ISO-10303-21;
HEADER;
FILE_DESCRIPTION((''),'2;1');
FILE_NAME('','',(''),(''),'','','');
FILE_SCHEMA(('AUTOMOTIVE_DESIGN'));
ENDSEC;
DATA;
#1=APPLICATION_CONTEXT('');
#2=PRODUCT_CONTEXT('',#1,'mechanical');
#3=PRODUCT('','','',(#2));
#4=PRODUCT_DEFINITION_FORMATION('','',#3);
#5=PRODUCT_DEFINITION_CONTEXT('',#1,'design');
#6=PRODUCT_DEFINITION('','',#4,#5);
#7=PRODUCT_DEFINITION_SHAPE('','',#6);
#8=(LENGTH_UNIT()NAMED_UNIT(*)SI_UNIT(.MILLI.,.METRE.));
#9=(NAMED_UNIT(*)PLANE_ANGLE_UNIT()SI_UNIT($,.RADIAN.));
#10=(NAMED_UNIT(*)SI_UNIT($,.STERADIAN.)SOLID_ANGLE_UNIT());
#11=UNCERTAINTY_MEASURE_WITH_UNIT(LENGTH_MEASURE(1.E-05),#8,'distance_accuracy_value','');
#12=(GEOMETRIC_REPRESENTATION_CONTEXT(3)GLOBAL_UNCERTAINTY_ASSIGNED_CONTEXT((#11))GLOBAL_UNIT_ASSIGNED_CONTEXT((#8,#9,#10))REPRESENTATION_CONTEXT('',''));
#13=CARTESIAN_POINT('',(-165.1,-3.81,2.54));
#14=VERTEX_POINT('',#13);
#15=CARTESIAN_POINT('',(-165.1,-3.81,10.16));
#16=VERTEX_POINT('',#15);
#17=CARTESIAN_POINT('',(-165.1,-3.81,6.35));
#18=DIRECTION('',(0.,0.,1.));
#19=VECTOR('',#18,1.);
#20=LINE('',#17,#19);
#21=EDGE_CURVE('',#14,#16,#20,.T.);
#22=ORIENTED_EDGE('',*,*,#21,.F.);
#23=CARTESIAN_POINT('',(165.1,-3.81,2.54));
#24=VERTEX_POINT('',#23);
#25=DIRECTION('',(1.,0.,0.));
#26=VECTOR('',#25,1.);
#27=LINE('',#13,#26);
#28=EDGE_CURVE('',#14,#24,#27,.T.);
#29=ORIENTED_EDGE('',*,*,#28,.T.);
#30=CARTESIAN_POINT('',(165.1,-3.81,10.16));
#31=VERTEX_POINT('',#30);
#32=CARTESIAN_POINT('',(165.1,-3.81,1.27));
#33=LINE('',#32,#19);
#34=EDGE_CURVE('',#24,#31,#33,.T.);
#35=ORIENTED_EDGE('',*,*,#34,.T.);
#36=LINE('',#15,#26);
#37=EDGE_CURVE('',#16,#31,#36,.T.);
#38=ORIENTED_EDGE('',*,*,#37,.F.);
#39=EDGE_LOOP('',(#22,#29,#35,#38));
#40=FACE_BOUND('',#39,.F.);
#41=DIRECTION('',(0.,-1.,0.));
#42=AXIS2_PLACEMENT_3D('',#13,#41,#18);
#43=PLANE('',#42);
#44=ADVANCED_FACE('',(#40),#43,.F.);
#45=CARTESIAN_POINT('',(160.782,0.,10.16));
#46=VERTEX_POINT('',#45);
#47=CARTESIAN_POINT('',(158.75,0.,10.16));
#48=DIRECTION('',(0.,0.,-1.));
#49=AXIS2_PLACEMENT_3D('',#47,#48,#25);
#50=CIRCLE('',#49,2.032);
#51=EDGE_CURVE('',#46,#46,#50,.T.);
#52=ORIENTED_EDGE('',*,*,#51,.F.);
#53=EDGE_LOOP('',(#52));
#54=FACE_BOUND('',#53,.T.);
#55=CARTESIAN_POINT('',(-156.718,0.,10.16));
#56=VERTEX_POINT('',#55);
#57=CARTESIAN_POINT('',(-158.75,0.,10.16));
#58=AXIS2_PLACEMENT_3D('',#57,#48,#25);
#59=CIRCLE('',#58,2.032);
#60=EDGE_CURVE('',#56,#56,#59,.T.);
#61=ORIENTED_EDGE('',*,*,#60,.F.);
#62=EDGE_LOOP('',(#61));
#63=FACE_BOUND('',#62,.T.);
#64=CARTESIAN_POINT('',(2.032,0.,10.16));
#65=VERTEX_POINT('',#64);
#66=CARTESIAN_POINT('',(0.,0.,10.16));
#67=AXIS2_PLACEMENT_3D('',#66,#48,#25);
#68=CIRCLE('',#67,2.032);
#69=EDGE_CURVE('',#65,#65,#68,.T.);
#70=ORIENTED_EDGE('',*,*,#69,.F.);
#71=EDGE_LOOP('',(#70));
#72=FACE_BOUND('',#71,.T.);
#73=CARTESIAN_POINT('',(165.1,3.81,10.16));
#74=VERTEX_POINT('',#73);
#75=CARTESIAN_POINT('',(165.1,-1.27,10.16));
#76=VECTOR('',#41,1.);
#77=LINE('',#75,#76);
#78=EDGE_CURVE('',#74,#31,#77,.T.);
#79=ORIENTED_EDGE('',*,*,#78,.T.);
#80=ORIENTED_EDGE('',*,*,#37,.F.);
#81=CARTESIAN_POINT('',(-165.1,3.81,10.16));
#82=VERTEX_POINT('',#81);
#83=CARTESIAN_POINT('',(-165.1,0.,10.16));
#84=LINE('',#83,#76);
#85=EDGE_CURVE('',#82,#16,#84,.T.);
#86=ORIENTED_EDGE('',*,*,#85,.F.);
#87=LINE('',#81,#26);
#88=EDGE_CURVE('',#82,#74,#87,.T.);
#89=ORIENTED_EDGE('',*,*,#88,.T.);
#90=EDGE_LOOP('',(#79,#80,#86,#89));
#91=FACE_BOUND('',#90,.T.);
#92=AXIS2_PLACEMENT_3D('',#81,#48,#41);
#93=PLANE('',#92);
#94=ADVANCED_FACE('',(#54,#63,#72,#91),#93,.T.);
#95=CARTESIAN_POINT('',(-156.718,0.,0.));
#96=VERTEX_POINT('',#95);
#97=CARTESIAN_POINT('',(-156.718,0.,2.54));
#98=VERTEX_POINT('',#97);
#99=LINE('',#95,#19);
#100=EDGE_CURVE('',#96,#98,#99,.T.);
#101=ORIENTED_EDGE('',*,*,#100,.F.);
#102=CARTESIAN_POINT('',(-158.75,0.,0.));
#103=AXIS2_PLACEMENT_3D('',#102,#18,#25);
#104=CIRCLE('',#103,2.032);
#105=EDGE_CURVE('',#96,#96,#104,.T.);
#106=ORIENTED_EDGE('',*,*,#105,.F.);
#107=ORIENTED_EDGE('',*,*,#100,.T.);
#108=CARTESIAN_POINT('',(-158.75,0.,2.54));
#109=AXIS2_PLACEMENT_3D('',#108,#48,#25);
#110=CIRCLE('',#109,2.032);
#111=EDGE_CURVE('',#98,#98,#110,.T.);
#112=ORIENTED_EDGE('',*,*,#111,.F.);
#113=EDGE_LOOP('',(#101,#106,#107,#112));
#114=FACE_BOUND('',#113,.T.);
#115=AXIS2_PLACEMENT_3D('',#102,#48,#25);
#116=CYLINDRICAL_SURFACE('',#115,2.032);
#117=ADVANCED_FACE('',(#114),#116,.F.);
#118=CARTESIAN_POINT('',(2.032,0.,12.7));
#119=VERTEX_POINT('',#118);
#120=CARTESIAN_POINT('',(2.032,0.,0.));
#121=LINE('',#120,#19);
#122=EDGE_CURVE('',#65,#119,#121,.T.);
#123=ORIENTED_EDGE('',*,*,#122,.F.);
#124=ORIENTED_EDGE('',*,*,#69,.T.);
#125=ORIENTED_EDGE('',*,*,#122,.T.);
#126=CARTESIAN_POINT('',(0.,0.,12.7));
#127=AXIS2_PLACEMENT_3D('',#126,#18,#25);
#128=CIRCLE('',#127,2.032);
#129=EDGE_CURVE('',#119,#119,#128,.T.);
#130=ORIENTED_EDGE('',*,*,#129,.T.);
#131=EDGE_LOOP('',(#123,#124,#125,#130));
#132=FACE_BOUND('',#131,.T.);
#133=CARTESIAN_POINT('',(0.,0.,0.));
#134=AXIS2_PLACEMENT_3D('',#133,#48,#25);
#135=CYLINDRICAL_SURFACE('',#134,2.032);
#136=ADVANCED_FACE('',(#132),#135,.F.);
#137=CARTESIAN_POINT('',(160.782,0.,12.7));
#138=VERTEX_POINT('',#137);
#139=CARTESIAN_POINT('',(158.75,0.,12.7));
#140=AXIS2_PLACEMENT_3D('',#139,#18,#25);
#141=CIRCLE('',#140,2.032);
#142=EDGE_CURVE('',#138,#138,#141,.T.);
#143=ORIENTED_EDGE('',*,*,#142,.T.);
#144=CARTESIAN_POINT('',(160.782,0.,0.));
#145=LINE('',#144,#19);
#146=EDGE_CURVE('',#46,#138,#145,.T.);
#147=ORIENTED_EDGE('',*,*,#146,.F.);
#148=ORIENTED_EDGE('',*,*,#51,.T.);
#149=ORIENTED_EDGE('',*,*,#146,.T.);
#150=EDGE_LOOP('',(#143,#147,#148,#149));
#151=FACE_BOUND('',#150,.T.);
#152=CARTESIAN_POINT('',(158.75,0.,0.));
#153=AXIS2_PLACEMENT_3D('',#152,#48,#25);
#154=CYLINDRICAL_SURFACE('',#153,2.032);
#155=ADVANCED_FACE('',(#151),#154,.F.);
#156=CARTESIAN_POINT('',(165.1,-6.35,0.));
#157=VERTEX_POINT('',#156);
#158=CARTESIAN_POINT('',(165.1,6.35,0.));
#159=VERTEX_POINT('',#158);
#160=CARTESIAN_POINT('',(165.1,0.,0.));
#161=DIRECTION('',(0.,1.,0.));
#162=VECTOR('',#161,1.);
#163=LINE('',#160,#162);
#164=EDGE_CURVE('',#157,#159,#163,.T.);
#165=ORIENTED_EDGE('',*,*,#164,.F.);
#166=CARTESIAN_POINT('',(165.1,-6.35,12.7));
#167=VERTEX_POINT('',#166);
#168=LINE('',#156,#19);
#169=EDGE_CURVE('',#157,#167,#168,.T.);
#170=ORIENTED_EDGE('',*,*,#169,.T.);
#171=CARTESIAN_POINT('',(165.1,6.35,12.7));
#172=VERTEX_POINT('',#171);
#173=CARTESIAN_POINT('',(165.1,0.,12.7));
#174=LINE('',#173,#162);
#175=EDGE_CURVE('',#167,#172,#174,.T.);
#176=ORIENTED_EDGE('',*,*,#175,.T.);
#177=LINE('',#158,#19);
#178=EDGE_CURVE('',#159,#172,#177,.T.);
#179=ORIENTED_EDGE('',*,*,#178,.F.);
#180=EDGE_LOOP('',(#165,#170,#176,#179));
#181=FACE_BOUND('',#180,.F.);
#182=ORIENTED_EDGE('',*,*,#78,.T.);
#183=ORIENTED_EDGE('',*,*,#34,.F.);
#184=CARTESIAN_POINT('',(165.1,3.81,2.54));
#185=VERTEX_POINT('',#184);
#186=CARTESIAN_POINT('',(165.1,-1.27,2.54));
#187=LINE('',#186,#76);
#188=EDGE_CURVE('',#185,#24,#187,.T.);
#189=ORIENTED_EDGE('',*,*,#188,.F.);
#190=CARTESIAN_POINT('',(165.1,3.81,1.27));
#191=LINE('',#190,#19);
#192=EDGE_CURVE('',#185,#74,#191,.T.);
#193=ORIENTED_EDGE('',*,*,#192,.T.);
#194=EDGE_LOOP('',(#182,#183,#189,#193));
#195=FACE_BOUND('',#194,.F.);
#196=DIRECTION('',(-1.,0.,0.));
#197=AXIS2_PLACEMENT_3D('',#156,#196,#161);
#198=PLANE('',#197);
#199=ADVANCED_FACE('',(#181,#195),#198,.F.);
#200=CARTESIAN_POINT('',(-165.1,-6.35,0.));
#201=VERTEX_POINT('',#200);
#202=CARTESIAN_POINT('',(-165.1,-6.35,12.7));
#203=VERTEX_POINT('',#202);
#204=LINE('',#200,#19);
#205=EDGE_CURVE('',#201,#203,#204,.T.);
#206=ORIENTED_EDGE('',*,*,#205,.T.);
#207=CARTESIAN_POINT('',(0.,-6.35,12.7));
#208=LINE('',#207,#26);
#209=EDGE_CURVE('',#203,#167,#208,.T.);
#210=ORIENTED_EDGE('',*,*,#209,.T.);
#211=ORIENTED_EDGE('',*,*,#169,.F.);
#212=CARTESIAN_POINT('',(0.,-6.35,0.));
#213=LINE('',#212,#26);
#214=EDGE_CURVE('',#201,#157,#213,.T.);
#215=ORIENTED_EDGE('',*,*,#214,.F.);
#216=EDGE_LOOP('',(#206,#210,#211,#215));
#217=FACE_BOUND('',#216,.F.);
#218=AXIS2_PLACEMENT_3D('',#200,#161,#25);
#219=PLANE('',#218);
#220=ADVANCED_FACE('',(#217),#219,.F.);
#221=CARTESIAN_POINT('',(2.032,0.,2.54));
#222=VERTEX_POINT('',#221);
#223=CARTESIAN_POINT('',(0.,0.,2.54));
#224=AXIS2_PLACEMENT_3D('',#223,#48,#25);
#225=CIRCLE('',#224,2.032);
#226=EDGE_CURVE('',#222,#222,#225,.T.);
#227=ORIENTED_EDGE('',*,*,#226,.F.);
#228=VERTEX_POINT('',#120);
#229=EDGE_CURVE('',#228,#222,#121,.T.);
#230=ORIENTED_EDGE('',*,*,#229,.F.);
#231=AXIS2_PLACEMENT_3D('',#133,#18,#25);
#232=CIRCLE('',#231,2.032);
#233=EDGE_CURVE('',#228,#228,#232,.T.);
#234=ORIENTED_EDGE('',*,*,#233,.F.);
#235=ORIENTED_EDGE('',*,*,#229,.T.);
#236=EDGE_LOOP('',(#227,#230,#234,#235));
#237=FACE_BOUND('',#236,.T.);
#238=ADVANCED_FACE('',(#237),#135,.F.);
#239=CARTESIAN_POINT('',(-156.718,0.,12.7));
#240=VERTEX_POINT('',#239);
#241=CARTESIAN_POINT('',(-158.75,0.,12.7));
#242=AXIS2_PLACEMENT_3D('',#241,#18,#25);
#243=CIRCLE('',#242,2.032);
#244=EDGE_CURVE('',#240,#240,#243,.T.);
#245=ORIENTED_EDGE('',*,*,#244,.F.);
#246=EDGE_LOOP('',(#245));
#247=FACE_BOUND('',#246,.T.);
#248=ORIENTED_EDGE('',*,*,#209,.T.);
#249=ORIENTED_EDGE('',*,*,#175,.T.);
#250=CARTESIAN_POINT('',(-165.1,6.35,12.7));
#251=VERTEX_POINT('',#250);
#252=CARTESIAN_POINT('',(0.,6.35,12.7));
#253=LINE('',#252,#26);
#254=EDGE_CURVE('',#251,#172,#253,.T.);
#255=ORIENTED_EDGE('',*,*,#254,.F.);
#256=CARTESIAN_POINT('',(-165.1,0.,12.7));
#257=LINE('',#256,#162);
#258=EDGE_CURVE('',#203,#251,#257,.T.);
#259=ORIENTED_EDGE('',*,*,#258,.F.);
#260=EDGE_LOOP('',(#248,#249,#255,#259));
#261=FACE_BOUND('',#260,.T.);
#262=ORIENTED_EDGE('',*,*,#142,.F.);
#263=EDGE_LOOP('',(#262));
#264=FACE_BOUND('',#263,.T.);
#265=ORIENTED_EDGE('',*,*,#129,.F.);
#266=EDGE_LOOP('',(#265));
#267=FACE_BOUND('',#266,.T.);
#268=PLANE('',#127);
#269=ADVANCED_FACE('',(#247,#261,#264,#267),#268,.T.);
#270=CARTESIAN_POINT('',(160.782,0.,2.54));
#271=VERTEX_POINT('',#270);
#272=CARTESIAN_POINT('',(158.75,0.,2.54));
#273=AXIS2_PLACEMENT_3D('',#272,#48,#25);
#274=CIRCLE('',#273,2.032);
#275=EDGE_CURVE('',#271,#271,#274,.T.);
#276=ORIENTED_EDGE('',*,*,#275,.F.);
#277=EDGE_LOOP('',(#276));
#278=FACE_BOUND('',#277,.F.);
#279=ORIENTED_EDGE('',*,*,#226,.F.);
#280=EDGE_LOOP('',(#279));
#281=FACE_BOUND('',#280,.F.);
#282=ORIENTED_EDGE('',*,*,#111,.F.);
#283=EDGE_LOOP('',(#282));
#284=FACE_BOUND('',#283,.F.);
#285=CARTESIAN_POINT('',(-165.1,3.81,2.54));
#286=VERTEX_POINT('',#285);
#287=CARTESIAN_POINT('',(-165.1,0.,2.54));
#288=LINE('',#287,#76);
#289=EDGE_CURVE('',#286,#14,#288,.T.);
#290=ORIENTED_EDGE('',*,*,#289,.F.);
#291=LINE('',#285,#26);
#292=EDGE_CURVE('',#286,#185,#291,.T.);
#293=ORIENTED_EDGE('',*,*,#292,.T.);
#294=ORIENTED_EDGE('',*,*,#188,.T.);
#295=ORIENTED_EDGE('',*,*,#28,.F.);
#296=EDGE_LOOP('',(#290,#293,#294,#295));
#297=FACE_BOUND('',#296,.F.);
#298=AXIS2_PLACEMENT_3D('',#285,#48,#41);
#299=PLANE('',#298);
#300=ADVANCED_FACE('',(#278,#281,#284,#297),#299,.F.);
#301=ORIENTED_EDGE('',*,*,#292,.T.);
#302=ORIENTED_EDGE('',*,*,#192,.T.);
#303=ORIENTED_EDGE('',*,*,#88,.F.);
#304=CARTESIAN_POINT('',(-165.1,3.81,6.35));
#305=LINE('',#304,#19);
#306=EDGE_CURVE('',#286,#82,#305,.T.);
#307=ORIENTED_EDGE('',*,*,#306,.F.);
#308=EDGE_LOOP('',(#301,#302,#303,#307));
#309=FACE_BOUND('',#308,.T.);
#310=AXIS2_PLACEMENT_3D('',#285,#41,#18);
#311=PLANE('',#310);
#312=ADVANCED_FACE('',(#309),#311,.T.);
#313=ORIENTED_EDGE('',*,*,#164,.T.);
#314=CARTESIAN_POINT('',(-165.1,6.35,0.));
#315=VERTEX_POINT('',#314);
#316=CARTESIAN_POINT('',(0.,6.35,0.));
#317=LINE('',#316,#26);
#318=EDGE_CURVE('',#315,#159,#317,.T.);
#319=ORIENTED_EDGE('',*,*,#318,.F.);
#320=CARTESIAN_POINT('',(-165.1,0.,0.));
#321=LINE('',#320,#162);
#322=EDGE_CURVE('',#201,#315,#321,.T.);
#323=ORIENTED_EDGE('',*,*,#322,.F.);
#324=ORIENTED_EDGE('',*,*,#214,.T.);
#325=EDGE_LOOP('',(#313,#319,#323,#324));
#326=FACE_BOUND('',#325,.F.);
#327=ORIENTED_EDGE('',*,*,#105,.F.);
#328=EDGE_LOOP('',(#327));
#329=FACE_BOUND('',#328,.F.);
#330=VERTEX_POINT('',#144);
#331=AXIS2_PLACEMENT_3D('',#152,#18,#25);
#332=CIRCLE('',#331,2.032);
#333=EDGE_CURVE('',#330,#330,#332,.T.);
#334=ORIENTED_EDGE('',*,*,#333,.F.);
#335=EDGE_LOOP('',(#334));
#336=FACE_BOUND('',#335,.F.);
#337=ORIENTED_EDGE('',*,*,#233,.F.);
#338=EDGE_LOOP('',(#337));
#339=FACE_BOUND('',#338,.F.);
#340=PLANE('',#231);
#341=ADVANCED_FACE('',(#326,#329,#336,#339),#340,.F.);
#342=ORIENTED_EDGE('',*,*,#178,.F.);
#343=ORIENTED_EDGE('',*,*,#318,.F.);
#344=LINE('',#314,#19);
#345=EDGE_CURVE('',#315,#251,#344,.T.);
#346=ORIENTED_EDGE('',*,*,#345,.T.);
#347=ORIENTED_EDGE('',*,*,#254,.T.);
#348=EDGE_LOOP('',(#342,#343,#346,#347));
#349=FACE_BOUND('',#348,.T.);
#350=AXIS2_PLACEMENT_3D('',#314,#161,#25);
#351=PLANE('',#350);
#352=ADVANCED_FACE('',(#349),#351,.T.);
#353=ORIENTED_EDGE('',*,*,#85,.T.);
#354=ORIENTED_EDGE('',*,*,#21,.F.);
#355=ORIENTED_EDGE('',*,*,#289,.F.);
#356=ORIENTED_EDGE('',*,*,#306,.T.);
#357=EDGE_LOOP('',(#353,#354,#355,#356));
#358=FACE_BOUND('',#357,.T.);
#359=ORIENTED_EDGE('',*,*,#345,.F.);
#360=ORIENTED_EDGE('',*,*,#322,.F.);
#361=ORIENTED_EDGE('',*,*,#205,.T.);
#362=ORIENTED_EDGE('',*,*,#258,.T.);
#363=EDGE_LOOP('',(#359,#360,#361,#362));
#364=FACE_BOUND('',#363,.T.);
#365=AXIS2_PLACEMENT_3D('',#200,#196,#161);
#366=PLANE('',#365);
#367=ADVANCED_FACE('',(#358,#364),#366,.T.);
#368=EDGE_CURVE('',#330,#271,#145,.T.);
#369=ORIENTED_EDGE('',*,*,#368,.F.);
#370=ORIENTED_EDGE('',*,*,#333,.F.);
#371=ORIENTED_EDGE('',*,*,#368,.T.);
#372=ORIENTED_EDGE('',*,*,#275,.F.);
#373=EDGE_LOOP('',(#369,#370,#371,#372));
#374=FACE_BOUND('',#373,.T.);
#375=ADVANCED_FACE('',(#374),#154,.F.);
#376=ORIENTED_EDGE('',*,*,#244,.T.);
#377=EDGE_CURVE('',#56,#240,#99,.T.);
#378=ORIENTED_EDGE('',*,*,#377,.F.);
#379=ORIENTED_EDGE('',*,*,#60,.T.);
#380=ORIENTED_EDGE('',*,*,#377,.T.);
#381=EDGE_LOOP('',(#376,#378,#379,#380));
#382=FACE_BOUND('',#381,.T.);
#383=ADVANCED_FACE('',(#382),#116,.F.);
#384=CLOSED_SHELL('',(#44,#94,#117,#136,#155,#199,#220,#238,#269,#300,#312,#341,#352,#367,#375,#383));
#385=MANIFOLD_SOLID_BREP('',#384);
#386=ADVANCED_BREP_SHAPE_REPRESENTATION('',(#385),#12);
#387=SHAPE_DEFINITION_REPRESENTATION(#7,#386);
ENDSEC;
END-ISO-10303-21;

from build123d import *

# Parameters (mm, degrees)
F0_W     = 330.2
F0_H     = 12.7
F0_R     = 2.032
F1_DEPTH = 12.7
F2_W     = 7.62
F2_H     = 7.62
F3_DEPTH = 424.18


with BuildPart() as f1:
    # F0 (on Top) → F1 (new body)
    with BuildSketch(Plane.XY):
        Rectangle(F0_W, F0_H)
        with Locations((-158.75, 0)):
            Circle(F0_R, mode=Mode.SUBTRACT)
        Circle(F0_R, mode=Mode.SUBTRACT)
        with Locations((158.75, 0)):
            Circle(F0_R, mode=Mode.SUBTRACT)
    extrude(amount=F1_DEPTH)

    # F2 (on face) → F3 (cut)
    with BuildSketch(Plane(origin=(-165.1, 0, 0), x_dir=(0, -1, 0), z_dir=(-1, 0, 0))):
        with Locations((0, 6.35)):
            Rectangle(F2_W, F2_H)
    extrude(amount=-F3_DEPTH, mode=Mode.SUBTRACT)


solid = f1.part
